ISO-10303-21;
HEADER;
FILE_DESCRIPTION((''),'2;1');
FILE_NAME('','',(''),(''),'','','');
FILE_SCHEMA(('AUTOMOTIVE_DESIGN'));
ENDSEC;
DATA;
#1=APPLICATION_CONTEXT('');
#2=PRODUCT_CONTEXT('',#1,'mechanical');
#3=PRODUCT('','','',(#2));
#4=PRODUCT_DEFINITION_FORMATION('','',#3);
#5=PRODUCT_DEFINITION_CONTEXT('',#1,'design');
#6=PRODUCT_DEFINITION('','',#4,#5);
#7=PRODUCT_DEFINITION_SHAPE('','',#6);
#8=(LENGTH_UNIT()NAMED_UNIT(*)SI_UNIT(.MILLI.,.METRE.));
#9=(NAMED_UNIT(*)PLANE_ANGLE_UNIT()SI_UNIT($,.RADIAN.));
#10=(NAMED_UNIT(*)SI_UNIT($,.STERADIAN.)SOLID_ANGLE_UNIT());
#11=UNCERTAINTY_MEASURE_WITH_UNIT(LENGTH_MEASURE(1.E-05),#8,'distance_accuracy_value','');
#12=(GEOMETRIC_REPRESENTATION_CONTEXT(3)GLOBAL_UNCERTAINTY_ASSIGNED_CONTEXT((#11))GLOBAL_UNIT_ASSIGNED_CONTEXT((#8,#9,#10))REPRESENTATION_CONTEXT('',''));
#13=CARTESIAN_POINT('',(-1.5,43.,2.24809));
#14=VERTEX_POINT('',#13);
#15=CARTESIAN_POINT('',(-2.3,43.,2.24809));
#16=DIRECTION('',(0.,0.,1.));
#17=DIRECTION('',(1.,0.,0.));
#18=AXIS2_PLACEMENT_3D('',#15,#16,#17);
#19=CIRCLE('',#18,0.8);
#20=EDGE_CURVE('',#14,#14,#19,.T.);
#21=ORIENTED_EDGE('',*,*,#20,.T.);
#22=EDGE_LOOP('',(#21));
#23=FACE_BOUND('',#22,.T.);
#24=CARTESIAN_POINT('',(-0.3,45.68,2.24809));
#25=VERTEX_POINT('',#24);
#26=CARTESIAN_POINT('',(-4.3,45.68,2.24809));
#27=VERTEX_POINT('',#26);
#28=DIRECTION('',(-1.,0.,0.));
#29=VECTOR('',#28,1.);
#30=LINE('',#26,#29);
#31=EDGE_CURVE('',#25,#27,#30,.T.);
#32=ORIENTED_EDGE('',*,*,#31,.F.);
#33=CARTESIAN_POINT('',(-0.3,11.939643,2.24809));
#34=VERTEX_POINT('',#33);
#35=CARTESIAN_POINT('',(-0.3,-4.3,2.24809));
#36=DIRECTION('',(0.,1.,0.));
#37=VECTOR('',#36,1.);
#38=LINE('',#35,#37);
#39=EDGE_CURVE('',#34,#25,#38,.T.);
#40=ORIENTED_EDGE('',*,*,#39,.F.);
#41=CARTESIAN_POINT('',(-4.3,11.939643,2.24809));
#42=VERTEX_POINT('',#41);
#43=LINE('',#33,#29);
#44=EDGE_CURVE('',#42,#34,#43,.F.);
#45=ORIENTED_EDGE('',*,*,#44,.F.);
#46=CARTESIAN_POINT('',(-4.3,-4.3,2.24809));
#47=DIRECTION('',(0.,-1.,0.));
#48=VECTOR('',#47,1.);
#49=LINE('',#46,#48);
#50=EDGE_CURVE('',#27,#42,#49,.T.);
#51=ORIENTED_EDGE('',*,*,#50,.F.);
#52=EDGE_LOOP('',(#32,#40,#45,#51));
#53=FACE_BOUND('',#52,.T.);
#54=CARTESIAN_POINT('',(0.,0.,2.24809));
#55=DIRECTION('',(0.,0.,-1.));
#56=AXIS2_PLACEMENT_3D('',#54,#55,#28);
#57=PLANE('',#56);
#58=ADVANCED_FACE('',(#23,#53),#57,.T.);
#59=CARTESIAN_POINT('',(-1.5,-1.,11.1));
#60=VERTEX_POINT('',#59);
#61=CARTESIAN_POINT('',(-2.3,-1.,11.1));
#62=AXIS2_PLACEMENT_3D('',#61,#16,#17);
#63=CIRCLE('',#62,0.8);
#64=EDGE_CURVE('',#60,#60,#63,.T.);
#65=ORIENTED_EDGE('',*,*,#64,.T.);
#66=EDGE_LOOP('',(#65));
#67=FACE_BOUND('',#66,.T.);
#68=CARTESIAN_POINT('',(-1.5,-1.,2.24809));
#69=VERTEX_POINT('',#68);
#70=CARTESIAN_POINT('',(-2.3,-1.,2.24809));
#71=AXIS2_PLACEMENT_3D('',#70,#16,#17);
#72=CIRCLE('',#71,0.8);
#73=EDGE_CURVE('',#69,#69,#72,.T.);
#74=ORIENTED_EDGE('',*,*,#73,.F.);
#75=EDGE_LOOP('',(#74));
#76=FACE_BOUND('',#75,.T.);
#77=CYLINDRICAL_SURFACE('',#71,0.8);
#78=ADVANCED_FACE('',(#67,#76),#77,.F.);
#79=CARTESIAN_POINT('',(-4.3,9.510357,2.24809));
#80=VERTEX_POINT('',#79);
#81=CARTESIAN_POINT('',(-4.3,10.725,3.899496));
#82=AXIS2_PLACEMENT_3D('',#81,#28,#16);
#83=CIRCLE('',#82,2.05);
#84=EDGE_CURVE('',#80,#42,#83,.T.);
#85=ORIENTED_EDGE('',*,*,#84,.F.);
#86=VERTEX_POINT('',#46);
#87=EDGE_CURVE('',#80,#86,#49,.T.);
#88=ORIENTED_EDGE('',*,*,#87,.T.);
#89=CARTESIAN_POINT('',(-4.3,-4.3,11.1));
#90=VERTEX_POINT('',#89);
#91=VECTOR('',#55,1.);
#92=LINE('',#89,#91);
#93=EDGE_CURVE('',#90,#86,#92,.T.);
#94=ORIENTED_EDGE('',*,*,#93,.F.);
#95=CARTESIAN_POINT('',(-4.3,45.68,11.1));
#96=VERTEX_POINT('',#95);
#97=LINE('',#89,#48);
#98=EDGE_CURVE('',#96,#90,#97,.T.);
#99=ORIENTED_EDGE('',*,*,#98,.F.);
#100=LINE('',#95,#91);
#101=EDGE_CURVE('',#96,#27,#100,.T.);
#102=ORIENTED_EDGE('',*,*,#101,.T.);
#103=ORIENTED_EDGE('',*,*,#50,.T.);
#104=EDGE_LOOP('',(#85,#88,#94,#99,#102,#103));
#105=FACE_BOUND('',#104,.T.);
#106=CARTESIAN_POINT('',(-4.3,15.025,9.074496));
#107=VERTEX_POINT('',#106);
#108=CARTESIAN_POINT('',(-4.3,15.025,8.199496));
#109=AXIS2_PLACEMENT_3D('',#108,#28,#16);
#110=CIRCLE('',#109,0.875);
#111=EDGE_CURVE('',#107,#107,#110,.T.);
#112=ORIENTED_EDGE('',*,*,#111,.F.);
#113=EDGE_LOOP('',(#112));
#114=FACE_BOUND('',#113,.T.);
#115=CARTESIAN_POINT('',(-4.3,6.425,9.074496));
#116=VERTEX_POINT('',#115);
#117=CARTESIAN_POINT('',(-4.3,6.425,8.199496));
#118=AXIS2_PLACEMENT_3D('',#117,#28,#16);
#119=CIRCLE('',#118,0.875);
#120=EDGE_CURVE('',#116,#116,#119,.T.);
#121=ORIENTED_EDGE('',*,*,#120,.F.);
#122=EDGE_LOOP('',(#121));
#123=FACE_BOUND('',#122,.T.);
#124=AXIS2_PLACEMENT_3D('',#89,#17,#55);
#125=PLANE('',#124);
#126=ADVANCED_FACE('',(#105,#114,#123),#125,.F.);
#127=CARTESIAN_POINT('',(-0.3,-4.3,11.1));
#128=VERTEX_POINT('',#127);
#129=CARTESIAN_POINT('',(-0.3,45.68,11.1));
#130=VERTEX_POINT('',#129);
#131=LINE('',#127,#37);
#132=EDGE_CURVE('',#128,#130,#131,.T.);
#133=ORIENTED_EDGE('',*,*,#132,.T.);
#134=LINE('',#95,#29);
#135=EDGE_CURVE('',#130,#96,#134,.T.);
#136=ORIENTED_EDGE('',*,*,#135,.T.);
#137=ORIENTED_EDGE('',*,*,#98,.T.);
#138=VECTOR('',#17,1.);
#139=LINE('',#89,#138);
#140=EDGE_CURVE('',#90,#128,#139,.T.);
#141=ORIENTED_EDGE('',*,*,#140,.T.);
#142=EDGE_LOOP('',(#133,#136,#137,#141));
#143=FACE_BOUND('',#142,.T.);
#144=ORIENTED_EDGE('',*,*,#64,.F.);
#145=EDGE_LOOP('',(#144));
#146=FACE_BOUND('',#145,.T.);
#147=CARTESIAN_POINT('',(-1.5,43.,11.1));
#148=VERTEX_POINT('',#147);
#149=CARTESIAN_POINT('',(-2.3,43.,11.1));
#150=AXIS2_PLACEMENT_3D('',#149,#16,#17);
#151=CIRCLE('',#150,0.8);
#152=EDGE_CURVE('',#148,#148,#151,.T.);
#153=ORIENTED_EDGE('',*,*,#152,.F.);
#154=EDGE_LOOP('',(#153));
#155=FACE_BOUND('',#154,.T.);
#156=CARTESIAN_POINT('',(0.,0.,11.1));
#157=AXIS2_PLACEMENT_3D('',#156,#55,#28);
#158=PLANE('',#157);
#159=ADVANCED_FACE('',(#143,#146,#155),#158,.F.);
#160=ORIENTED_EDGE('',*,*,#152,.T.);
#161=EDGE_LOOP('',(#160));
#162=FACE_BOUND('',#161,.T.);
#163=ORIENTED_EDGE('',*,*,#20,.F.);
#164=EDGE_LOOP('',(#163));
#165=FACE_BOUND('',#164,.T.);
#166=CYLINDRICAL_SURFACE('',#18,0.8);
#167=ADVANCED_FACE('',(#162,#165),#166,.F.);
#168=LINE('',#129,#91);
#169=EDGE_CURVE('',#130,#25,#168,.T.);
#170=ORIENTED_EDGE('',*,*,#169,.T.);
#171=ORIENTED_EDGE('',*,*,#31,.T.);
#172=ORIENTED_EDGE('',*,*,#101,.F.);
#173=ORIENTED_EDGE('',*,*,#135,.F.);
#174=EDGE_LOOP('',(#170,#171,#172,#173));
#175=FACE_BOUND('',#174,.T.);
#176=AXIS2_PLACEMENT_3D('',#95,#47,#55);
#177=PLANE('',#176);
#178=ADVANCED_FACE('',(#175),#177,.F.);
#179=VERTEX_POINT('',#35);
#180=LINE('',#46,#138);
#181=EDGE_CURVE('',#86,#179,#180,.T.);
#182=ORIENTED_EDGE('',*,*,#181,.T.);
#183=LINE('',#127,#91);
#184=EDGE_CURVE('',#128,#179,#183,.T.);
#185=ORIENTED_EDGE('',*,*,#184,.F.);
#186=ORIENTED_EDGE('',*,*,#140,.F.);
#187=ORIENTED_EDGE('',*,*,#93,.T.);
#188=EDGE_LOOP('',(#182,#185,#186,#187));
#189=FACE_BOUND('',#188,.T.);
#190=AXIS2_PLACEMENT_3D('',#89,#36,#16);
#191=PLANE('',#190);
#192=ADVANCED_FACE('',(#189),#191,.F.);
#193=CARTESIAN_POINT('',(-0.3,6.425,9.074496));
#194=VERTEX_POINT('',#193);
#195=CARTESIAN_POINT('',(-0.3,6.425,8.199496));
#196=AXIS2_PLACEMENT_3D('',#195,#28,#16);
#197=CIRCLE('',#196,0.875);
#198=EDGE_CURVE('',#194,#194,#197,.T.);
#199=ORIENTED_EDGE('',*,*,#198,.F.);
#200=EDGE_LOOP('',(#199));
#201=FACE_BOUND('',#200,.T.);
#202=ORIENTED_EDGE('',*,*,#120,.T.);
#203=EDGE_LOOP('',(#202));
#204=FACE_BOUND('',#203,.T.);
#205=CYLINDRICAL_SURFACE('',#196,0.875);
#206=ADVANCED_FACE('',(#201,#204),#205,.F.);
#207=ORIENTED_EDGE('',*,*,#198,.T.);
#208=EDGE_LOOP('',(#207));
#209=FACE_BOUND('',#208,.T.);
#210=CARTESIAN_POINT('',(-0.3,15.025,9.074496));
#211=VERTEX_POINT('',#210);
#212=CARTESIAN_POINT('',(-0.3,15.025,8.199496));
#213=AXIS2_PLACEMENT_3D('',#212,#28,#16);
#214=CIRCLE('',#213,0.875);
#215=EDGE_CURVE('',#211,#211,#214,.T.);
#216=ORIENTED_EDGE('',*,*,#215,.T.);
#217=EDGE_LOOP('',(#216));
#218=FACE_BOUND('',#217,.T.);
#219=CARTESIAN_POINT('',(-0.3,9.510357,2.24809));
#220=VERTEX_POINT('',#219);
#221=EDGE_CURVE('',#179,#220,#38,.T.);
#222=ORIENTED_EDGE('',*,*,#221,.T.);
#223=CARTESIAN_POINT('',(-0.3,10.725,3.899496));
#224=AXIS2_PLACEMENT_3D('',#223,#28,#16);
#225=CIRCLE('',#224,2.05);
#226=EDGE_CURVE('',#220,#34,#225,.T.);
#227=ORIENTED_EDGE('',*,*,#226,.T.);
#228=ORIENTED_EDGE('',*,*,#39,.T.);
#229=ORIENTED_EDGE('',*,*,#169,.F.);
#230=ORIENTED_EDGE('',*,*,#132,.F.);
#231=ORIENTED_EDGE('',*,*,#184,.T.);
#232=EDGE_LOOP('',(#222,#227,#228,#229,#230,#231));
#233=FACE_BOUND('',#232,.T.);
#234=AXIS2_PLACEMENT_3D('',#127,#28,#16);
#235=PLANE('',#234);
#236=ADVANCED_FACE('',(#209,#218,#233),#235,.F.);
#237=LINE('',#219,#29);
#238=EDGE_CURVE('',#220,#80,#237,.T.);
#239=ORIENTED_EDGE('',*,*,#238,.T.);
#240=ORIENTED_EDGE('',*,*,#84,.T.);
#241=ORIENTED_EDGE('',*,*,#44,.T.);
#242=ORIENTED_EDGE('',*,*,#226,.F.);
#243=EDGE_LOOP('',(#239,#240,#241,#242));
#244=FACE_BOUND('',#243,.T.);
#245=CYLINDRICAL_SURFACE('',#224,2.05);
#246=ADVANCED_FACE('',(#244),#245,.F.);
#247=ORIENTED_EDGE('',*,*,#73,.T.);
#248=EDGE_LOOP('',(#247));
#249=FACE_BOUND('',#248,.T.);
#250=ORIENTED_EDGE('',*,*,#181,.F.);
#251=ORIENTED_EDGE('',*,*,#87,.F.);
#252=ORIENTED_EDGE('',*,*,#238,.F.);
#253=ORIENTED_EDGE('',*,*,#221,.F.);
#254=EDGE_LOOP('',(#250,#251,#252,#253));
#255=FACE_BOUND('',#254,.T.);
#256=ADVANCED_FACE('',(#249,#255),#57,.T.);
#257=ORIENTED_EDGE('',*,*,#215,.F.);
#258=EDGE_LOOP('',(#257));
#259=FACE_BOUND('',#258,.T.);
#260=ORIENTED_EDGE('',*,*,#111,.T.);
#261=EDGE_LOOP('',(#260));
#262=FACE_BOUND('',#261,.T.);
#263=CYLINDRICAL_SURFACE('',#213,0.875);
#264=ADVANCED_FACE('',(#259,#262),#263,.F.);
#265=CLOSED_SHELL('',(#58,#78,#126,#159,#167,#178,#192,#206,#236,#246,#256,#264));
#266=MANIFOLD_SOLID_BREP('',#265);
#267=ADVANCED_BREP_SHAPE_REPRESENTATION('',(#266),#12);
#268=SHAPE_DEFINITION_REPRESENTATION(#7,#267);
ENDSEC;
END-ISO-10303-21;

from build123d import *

# Parameters (mm, degrees)
SKETCH_1_W                      = 4
SKETCH_1_H                      = 49.98
LEFT_RF_PLATE_DEPTH             = 8.851909566
SKETCH_2_R                      = 0.8
FRAME_2XD1P6_THROUGH_DEPTH      = 47.728029093
SKETCH_3_R                      = 2.05
SMA_CENTER_D4P1_DEPTH           = 4
SKETCH_4_R                      = 0.875
SMA_UPPER_2XD1P75_THROUGH_DEPTH = 48.179152176


with BuildPart() as part:
    # 草图1 → Left_RF_Plate (new body)
    with BuildSketch(Plane.XY):
        with Locations((-2.3, 20.69)):
            Rectangle(SKETCH_1_W, SKETCH_1_H)
    extrude(amount=LEFT_RF_PLATE_DEPTH)


with BuildPart() as part_1:
    # Stock_Z_Position: moved
    add(part.part.moved(Location((0, 0, 2.248090434))))

    # 草图2 → Frame_2xD1p6_Through (cut, through all)
    with BuildSketch(Plane.XY.offset(11.1)):
        with Locations((-2.3, -1)):
            Circle(SKETCH_2_R)
        with Locations((-2.3, 43)):
            Circle(SKETCH_2_R)
    extrude(amount=-FRAME_2XD1P6_THROUGH_DEPTH, mode=Mode.SUBTRACT)

    # 草图3 → SMA_Center_D4p1 (cut)
    with BuildSketch(Plane.ZY.offset(4.3)):
        with Locations((3.899496327, 10.725)):
            Circle(SKETCH_3_R)
    extrude(amount=-SMA_CENTER_D4P1_DEPTH, mode=Mode.SUBTRACT)

    # 草图4 → SMA_Upper_2xD1p75_Through (cut, through all)
    with BuildSketch(Plane.ZY.offset(4.3)):
        with Locations((8.199496327, 6.425)):
            Circle(SKETCH_4_R)
        with Locations((8.199496327, 15.025)):
            Circle(SKETCH_4_R)
    extrude(amount=-SMA_UPPER_2XD1P75_THROUGH_DEPTH, mode=Mode.SUBTRACT)


solid = part_1.part
